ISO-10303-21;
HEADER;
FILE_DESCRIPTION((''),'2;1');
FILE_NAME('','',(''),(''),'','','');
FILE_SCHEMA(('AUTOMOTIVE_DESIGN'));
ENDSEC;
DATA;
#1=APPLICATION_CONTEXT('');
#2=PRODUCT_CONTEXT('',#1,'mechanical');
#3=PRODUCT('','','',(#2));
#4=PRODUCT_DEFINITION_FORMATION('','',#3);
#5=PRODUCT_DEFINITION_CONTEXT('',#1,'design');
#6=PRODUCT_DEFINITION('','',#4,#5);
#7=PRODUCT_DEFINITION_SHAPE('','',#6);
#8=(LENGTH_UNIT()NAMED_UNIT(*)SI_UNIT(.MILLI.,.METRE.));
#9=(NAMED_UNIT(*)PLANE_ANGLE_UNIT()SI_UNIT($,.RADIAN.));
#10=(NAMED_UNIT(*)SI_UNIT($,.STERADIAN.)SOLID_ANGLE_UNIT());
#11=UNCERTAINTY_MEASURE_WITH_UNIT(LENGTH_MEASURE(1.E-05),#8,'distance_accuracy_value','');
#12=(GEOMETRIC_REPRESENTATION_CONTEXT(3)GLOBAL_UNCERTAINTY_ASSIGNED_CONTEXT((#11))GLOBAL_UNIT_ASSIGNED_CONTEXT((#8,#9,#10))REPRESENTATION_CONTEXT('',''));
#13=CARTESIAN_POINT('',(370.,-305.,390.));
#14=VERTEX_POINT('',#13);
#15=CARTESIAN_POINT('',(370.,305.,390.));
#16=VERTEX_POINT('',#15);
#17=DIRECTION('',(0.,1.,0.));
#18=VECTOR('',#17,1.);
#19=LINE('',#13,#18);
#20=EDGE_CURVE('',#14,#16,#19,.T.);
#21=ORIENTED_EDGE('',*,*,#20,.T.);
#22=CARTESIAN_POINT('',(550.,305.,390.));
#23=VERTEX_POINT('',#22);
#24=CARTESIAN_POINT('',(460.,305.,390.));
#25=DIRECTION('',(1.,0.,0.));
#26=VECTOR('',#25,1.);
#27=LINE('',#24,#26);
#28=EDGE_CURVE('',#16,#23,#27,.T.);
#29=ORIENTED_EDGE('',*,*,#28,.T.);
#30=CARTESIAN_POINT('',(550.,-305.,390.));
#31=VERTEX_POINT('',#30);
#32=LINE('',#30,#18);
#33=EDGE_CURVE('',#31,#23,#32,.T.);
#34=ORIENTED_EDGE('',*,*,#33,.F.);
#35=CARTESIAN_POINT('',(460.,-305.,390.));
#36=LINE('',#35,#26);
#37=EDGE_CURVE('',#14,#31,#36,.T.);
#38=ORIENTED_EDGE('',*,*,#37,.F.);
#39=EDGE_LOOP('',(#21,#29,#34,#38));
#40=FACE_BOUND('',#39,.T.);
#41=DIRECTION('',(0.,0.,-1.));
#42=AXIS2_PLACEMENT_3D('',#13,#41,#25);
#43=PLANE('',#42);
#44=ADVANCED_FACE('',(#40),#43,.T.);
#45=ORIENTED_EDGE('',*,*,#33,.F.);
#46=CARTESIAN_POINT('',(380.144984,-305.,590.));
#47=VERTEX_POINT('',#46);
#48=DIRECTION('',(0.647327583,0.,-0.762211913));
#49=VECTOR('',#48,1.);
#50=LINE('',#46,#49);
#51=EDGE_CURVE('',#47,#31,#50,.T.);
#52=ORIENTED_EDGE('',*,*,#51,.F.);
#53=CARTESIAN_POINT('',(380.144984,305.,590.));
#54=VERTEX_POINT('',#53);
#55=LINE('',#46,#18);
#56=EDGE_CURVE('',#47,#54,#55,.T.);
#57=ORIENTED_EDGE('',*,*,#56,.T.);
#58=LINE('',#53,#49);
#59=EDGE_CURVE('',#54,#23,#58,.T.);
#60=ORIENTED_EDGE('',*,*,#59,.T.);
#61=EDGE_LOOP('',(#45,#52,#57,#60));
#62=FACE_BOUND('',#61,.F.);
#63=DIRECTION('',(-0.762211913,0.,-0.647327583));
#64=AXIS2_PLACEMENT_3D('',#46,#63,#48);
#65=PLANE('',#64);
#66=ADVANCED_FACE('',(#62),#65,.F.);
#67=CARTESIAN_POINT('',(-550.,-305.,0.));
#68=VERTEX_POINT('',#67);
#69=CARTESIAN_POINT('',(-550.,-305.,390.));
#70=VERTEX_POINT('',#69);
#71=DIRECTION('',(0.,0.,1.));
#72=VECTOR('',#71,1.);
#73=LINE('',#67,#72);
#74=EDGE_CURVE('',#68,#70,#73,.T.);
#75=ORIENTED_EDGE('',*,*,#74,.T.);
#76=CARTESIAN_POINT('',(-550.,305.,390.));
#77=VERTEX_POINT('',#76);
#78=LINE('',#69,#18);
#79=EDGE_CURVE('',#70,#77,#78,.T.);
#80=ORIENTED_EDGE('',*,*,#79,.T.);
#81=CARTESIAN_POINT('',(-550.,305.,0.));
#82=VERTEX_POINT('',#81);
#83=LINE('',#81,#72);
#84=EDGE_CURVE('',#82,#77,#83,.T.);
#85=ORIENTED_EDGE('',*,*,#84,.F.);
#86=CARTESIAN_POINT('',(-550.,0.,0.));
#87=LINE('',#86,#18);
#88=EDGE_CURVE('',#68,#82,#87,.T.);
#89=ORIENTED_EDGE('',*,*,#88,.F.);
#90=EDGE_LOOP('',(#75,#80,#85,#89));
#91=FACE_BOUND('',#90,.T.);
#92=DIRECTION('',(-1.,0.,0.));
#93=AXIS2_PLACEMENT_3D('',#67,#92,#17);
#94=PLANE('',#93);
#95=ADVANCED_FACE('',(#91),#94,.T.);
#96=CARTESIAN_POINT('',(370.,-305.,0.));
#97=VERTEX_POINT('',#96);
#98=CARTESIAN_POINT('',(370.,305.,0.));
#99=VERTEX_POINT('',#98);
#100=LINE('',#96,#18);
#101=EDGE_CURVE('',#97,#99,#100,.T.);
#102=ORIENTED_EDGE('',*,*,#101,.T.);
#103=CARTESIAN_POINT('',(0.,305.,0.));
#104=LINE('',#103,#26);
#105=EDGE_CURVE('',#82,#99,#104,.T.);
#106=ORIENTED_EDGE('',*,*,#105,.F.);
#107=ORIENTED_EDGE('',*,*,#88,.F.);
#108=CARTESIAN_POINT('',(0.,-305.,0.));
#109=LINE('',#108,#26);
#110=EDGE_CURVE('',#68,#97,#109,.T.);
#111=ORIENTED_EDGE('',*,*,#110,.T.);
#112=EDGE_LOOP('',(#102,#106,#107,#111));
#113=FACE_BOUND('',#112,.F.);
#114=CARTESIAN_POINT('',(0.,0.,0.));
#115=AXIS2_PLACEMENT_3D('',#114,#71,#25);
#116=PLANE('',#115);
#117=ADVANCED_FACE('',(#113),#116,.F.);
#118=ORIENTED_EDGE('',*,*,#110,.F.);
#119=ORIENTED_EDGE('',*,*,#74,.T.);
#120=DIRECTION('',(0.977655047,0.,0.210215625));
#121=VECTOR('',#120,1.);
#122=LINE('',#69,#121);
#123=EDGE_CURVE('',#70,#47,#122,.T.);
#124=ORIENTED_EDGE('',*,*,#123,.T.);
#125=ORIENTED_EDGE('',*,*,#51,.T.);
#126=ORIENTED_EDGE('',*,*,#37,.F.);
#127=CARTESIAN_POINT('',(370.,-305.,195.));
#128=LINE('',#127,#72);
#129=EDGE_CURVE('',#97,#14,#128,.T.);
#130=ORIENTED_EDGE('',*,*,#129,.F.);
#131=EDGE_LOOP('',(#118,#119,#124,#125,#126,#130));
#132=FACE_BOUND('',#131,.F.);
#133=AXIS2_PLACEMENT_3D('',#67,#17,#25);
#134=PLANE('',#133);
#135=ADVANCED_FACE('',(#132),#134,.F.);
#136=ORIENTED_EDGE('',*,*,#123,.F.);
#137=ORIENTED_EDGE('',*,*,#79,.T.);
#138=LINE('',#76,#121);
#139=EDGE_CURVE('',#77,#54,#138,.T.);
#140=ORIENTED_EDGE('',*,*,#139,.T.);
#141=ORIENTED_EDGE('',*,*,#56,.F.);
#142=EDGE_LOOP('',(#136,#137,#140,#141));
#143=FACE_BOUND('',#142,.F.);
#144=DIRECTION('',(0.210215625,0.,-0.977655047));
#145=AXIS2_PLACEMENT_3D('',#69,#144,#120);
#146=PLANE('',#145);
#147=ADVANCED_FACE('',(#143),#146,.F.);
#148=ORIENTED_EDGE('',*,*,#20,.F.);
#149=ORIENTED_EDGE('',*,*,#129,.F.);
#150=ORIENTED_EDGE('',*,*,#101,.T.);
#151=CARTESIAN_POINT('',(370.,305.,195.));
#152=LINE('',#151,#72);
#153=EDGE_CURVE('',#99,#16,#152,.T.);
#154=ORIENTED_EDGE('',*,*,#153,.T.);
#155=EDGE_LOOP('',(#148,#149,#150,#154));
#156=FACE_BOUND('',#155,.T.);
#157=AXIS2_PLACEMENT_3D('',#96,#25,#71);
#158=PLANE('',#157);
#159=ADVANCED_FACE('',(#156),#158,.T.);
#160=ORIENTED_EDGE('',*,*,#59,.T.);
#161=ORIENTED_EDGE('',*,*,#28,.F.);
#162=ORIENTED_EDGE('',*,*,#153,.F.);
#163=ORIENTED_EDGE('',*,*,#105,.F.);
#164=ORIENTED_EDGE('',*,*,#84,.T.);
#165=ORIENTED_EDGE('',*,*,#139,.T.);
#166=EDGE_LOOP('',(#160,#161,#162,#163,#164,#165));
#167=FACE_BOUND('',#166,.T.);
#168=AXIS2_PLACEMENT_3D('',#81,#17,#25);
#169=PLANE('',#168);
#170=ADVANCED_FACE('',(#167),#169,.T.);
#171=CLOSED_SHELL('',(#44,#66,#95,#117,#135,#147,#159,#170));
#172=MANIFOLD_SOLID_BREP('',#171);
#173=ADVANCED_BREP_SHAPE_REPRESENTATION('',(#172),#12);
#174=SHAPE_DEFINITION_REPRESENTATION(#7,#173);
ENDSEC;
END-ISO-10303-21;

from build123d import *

# Parameters (mm, degrees)
F0_W     = 1100
F0_H     = 610
F1_DEPTH = 590
F2_W     = 180
F2_H     = 390
F3_DEPTH = 610


with BuildPart() as f1:
    # F0 (on Top) → F1 (new body)
    with BuildSketch(Plane.XY):
        Rectangle(F0_W, F0_H)
    extrude(amount=F1_DEPTH)

    # F2 (on face) → F3 (cut, through all)
    with BuildSketch(Plane.XZ.offset(305)):
        Polygon((-550, 390), (380.144984, 590), (-550, 590), align=None)
        Polygon((380.144984, 590), (550, 390), (550, 590), align=None)
        with Locations((460, 195)):
            Rectangle(F2_W, F2_H)
    extrude(amount=-F3_DEPTH, mode=Mode.SUBTRACT)


solid = f1.part
